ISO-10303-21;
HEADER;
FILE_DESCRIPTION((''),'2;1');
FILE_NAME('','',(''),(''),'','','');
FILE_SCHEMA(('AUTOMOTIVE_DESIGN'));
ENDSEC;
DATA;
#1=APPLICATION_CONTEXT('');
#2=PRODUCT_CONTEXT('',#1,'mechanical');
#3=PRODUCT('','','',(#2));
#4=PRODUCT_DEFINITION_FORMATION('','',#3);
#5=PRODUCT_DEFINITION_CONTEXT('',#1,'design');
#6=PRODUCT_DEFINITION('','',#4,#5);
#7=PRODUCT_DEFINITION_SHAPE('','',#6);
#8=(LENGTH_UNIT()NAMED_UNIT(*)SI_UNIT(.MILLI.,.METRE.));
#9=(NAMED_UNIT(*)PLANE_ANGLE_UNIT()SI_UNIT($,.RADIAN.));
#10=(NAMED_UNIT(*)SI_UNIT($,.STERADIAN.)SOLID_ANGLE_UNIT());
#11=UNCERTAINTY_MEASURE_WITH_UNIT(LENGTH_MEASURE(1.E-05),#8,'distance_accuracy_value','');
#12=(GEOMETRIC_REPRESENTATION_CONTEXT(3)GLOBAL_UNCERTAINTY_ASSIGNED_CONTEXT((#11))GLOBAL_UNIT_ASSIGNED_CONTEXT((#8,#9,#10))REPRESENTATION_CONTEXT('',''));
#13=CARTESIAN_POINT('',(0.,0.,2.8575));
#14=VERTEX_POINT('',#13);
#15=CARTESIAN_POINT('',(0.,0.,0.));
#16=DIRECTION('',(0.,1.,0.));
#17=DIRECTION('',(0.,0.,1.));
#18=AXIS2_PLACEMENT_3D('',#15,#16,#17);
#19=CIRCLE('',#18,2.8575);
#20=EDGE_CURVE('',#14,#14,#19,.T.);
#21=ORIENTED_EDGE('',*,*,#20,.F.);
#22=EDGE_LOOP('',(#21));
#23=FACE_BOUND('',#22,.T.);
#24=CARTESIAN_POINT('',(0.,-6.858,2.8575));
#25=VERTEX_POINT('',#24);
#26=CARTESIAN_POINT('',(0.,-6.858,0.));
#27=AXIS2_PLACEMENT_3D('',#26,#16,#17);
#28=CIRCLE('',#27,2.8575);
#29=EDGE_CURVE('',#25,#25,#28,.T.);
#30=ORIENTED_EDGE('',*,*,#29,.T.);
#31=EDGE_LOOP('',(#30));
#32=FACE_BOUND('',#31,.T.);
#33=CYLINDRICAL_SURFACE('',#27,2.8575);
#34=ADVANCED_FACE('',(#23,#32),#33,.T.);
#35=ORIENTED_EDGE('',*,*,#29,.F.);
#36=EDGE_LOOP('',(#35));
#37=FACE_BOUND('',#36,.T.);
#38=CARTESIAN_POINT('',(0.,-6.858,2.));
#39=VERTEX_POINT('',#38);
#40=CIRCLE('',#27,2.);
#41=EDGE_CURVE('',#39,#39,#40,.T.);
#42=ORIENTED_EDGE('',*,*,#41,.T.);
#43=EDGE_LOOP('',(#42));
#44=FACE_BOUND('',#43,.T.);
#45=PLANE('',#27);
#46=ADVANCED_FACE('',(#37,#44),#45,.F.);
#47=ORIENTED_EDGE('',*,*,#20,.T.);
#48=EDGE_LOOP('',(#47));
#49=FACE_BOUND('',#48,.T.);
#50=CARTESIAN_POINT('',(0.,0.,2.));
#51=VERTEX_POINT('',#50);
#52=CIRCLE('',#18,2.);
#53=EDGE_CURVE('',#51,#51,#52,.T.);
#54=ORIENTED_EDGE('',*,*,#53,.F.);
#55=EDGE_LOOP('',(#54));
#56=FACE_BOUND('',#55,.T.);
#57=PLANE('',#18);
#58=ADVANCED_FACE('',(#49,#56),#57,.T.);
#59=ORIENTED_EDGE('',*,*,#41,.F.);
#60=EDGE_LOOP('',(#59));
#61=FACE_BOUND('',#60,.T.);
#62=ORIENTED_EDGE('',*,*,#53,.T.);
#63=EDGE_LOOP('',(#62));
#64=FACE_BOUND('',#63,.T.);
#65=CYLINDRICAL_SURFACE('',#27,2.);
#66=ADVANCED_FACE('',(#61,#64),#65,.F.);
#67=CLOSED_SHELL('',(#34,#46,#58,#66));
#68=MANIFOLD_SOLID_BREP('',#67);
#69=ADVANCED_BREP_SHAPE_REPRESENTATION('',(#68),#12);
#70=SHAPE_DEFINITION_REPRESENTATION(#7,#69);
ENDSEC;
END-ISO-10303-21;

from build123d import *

# Parameters (mm, degrees)
SKETCH1_R           = 2.8575
SKETCH1_R_2         = 2
BOSS_EXTRUDE1_DEPTH = 6.858


with BuildPart() as part:
    # Sketch1 → Boss-Extrude1 (new body)
    with BuildSketch(Plane(origin=(0, 0, 0), x_dir=(1, 0, 0), z_dir=(0, 1, 0))):
        with Locations(Location((0, 0, 0), (0, 0, 270))):
            Circle(SKETCH1_R)
        with Locations(Location((0, 0, 0), (0, 0, 270))):
            Circle(SKETCH1_R_2, mode=Mode.SUBTRACT)
    extrude(amount=-BOSS_EXTRUDE1_DEPTH)


solid = part.part
